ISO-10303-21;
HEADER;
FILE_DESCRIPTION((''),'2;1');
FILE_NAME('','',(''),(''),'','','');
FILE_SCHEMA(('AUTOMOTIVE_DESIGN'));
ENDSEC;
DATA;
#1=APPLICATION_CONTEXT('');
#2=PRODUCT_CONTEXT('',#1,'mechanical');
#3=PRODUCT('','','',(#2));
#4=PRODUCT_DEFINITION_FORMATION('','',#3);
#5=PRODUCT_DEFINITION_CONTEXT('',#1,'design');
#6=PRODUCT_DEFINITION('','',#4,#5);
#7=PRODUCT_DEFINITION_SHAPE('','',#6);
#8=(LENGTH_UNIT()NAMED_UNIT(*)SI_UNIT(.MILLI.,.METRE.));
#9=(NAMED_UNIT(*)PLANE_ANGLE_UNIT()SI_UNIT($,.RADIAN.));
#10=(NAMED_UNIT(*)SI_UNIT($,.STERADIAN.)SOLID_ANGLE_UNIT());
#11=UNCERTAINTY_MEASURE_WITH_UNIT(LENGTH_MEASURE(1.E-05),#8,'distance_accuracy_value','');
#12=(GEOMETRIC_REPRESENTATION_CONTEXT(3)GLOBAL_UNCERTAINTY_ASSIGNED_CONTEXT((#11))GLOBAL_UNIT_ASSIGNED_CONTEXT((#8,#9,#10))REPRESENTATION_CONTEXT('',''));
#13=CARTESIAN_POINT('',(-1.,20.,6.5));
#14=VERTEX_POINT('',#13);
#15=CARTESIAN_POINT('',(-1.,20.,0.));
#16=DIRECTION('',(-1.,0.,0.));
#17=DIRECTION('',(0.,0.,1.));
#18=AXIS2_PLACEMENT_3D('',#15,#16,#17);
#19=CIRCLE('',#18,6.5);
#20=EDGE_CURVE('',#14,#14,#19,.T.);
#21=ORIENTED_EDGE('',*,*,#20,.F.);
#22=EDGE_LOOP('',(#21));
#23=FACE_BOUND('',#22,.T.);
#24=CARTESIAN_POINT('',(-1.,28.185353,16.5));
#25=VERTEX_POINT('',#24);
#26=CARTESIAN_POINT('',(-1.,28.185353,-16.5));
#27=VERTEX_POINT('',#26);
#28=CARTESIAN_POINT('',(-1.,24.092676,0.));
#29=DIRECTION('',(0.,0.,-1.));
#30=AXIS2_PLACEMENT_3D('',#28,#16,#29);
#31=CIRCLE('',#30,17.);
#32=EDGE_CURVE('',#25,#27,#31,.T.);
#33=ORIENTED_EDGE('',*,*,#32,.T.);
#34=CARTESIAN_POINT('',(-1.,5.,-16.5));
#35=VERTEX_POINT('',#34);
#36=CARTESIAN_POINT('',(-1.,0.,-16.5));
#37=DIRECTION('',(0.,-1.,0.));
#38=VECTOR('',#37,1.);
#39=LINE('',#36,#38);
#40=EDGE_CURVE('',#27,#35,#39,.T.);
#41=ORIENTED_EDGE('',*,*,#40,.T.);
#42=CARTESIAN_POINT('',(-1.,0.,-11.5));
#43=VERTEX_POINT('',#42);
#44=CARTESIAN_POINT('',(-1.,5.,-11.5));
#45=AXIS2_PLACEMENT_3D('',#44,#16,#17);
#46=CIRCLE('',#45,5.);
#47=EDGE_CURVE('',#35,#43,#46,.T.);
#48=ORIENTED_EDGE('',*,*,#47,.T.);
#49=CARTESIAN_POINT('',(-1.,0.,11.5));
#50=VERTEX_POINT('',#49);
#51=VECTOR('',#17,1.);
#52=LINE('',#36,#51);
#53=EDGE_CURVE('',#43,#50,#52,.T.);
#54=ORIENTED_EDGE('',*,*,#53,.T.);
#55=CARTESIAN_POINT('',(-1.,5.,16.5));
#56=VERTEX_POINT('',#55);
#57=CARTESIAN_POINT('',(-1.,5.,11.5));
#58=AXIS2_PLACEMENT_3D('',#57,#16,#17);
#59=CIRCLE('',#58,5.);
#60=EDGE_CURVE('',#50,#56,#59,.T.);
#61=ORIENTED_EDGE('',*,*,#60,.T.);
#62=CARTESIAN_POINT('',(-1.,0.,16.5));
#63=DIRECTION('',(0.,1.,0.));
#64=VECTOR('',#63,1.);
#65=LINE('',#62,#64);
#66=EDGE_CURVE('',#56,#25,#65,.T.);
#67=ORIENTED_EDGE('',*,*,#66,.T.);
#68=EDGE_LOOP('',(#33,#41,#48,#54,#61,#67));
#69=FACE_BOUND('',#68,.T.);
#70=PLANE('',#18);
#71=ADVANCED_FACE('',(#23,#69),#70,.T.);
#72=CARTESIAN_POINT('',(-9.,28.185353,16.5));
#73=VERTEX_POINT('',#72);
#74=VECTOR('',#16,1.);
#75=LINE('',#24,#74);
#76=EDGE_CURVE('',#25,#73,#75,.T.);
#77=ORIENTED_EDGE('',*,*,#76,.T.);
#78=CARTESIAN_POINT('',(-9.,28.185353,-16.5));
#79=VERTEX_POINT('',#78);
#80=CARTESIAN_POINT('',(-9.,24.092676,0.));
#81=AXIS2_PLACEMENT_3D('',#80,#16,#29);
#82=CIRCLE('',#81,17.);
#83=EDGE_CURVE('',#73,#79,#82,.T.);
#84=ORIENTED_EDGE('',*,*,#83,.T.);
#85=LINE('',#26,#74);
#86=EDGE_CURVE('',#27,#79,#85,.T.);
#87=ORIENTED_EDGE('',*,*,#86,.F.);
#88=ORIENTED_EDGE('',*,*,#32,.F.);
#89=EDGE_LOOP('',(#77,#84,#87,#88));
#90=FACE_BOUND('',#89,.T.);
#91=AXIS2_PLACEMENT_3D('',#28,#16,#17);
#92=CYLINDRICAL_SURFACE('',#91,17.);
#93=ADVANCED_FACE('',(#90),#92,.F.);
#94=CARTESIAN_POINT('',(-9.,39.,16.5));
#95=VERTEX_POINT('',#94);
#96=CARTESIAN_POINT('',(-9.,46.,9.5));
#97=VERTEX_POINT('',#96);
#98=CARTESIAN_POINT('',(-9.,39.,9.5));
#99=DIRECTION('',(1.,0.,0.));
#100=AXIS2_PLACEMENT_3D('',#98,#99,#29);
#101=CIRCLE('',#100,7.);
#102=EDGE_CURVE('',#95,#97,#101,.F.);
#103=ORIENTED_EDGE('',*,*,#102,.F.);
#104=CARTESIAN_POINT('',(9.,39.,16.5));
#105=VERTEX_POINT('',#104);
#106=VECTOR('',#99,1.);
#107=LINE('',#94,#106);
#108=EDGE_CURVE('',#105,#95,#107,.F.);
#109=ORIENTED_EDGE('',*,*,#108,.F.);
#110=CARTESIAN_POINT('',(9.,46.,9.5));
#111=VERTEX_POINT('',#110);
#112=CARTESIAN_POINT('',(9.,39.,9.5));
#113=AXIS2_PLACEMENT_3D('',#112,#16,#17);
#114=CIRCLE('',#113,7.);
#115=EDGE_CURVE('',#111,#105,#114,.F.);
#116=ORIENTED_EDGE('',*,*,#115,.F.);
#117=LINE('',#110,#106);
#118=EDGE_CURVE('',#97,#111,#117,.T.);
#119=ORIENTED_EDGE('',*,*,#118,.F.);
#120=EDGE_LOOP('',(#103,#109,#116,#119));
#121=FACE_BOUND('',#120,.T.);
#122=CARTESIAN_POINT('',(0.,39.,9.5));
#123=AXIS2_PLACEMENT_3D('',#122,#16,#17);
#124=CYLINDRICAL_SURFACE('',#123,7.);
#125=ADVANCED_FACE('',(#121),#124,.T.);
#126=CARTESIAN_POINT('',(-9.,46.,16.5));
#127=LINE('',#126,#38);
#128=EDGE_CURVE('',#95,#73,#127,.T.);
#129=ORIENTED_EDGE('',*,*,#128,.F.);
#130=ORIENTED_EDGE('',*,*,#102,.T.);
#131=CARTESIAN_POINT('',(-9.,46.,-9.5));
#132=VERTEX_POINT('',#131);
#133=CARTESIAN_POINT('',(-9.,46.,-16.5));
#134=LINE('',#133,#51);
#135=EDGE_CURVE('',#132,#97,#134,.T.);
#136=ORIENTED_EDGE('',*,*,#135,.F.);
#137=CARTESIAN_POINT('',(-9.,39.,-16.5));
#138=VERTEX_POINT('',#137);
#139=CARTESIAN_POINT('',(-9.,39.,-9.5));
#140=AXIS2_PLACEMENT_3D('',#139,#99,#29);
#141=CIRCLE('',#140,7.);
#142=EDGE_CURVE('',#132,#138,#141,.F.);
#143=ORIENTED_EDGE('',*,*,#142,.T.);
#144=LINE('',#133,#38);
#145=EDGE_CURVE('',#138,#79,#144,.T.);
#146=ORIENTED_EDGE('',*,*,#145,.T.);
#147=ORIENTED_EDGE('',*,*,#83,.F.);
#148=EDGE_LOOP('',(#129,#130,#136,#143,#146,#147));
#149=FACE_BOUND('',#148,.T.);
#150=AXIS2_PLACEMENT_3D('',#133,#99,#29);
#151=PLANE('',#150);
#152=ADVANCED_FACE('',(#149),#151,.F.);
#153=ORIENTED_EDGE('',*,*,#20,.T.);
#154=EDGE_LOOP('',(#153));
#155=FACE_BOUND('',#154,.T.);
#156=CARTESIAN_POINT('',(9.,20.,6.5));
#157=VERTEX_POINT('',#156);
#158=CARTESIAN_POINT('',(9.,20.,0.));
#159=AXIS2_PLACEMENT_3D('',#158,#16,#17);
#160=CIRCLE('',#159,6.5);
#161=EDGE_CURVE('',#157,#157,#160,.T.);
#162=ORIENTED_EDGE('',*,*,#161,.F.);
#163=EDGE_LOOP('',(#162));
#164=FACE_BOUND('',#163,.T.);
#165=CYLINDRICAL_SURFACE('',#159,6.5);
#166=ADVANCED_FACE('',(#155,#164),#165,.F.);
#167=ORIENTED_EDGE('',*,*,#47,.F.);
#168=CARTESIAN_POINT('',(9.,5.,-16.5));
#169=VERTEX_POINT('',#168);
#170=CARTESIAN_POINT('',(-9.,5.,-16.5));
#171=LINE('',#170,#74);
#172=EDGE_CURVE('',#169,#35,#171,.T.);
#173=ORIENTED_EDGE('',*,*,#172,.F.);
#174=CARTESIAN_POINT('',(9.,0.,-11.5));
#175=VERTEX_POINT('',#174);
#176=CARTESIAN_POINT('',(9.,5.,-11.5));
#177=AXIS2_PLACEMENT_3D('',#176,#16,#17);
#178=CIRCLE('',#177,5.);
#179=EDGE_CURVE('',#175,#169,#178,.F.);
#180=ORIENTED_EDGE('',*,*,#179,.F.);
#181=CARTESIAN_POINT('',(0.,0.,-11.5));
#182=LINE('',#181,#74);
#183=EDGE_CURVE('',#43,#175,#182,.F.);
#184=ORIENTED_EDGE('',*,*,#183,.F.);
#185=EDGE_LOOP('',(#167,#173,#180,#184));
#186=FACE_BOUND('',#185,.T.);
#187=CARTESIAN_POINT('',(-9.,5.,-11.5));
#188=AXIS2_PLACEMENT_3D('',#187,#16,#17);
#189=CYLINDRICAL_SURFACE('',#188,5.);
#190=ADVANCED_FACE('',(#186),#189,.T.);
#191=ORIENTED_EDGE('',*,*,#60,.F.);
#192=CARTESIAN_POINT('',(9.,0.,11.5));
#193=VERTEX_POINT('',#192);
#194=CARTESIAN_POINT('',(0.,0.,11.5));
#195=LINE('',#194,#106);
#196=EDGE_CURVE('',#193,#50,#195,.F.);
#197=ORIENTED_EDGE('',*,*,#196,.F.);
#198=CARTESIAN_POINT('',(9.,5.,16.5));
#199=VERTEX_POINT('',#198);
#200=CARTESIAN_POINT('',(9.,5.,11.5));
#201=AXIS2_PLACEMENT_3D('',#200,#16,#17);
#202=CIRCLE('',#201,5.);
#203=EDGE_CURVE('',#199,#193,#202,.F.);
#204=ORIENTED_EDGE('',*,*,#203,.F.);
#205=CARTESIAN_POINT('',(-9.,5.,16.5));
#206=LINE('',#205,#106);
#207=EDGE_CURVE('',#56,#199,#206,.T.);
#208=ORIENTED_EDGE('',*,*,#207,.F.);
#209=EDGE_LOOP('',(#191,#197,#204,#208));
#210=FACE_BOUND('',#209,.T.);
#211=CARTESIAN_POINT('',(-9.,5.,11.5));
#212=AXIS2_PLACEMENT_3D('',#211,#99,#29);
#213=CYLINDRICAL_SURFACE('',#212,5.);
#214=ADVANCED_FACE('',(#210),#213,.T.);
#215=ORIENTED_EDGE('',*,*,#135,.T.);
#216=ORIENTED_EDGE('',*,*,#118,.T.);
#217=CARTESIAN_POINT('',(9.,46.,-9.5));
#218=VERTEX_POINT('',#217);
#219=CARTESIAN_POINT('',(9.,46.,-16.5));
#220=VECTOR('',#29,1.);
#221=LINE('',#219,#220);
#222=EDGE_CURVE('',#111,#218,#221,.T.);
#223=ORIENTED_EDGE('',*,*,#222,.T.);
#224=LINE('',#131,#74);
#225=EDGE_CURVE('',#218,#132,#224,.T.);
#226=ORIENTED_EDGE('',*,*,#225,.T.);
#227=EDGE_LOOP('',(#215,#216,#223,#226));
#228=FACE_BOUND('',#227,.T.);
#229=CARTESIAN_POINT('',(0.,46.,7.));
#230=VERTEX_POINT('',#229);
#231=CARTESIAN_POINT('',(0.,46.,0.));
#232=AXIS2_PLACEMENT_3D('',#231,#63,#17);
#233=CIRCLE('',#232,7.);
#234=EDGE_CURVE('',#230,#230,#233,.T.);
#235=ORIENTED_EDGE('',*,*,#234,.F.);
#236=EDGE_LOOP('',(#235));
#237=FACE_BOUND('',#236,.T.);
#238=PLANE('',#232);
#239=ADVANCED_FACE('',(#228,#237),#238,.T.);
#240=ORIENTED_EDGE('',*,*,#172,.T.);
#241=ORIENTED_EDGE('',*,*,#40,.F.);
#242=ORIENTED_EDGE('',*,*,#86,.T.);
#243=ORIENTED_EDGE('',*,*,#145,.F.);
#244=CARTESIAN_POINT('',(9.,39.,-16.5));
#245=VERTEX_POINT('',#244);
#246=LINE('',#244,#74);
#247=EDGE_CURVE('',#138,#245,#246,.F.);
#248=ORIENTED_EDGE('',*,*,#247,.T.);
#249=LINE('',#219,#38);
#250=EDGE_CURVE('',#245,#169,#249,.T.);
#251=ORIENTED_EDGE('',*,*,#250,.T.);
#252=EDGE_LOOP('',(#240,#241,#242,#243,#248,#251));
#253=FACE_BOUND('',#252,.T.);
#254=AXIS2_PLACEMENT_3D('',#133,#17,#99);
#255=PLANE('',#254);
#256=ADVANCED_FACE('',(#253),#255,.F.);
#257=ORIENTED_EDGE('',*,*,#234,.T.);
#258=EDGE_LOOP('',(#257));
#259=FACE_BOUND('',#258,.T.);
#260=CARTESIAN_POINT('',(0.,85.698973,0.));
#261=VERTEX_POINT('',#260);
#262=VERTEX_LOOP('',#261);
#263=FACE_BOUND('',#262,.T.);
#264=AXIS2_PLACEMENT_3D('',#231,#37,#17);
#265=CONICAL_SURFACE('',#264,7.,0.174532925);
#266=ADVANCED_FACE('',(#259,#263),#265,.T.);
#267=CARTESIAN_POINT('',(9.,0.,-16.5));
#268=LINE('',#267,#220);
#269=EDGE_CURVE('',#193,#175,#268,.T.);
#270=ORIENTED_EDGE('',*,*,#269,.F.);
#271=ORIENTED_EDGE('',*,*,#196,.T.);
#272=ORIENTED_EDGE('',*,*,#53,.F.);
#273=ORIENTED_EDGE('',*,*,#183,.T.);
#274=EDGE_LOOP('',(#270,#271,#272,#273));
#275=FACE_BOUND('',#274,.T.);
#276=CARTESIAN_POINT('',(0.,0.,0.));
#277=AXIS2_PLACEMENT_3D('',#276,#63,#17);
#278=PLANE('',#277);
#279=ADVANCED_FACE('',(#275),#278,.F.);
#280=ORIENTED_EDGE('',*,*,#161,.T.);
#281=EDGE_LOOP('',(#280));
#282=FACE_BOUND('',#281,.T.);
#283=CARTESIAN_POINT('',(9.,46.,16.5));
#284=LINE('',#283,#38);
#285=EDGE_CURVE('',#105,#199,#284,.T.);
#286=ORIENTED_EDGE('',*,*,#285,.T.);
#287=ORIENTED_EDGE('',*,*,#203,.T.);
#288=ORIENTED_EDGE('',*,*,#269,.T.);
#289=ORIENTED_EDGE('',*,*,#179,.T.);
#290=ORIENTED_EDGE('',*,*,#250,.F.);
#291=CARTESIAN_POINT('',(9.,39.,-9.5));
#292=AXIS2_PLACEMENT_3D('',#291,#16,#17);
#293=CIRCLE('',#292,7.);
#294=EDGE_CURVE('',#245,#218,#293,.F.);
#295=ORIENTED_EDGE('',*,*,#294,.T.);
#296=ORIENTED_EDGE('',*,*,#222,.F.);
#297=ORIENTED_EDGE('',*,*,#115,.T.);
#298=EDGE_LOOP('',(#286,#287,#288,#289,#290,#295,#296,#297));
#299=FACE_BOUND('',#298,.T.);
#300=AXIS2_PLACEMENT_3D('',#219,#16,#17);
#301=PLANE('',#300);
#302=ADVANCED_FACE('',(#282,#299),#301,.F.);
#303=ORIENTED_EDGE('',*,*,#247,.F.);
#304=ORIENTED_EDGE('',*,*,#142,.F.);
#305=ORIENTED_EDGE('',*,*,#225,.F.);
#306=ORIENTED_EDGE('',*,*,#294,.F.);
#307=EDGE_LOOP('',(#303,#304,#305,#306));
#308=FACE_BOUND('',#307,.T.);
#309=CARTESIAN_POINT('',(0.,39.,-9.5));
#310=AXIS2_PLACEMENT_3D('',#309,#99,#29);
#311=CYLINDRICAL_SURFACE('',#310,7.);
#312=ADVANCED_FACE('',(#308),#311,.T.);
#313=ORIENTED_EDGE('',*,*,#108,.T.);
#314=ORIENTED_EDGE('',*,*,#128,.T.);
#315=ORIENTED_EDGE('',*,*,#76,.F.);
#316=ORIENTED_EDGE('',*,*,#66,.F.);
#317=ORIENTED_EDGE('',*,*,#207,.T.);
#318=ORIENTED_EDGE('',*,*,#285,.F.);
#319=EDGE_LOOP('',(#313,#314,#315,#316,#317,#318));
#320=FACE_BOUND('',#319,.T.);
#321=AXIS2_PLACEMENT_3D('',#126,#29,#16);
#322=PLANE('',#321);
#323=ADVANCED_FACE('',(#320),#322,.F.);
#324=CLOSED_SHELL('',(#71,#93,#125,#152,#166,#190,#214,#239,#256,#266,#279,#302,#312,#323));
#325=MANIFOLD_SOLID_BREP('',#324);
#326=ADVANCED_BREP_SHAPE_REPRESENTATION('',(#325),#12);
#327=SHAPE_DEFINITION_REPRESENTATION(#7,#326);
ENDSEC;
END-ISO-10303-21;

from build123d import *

# Parameters (mm, degrees)
SKETCH1_W           = 18
SKETCH1_H           = 33
BOSS_EXTRUDE1_DEPTH = 46
CUT_EXTRUDE1_DEPTH  = 8
SKETCH4_R           = 6.5
CUT_EXTRUDE2_DEPTH  = 10
FILLET3_R           = 5
FILLET4_R           = 7
CUT_EXTRUDE3_DEPTH  = 8


with BuildPart() as part:
    # Sketch1 → Boss-Extrude1 (new body)
    with BuildSketch(Plane(origin=(0, 0, 0), x_dir=(1, 0, 0), z_dir=(0, 1, 0))):
        Rectangle(SKETCH1_W, SKETCH1_H)
    extrude(amount=BOSS_EXTRUDE1_DEPTH)

    # Boss-Extrude2 cone 1 section (through the dimple's axis) → Boss-Extrude2 (revolve)
    with BuildSketch(Plane(origin=(0, 46, 0), x_dir=(0, 0, -1), z_dir=(1, 0, 0))):
        Polygon((0, 0), (7, 0), (0, 39.698972737), align=None)
    revolve(axis=Axis((0, 46, 0), (0, 1, 0)))

    # Sketch3 → Cut-Extrude1 (cut)
    with BuildSketch(Plane.ZY.offset(9)):
        with BuildLine():
            Line((-16.5, 0), (16.5, 0))
            Line((16.5, 0), (16.5, 20))
            ThreePointArc((16.5, 20), (0, 36.5), (-16.5, 20))
            Line((-16.5, 20), (-16.5, 0))
        make_face()
    extrude(amount=-CUT_EXTRUDE1_DEPTH, mode=Mode.SUBTRACT)

    # Sketch4 → Cut-Extrude2 (cut)
    with BuildSketch(Plane.ZY.offset(1)):
        with Locations((0, 20)):
            Circle(SKETCH4_R)
    extrude(amount=-CUT_EXTRUDE2_DEPTH, mode=Mode.SUBTRACT)

    # Fillet3
    fillet3_edges = [part.edges().sort_by_distance(p)[0] for p in [
        (4, 0, 16.5),
        (4, 0, -16.5),
    ]]
    fillet(fillet3_edges, radius=FILLET3_R)

    # Fillet4
    fillet4_edges = [part.edges().sort_by_distance(p)[0] for p in [
        (0, 46, 16.5),
        (0, 46, -16.5),
    ]]
    fillet(fillet4_edges, radius=FILLET4_R)

    # Sketch6 → Cut-Extrude3 (cut)
    with BuildSketch(Plane.ZY.offset(9)):
        with BuildLine():
            Line((-16.5, 20), (16.5, 20))
            Line((16.5, 20), (16.5, 28.185352772))
            ThreePointArc((16.5, 28.185352772), (0, 41.092676386), (-16.5, 28.185352772))
            Line((-16.5, 28.185352772), (-16.5, 20))
        make_face()
    extrude(amount=-CUT_EXTRUDE3_DEPTH, mode=Mode.SUBTRACT)


solid = part.part
